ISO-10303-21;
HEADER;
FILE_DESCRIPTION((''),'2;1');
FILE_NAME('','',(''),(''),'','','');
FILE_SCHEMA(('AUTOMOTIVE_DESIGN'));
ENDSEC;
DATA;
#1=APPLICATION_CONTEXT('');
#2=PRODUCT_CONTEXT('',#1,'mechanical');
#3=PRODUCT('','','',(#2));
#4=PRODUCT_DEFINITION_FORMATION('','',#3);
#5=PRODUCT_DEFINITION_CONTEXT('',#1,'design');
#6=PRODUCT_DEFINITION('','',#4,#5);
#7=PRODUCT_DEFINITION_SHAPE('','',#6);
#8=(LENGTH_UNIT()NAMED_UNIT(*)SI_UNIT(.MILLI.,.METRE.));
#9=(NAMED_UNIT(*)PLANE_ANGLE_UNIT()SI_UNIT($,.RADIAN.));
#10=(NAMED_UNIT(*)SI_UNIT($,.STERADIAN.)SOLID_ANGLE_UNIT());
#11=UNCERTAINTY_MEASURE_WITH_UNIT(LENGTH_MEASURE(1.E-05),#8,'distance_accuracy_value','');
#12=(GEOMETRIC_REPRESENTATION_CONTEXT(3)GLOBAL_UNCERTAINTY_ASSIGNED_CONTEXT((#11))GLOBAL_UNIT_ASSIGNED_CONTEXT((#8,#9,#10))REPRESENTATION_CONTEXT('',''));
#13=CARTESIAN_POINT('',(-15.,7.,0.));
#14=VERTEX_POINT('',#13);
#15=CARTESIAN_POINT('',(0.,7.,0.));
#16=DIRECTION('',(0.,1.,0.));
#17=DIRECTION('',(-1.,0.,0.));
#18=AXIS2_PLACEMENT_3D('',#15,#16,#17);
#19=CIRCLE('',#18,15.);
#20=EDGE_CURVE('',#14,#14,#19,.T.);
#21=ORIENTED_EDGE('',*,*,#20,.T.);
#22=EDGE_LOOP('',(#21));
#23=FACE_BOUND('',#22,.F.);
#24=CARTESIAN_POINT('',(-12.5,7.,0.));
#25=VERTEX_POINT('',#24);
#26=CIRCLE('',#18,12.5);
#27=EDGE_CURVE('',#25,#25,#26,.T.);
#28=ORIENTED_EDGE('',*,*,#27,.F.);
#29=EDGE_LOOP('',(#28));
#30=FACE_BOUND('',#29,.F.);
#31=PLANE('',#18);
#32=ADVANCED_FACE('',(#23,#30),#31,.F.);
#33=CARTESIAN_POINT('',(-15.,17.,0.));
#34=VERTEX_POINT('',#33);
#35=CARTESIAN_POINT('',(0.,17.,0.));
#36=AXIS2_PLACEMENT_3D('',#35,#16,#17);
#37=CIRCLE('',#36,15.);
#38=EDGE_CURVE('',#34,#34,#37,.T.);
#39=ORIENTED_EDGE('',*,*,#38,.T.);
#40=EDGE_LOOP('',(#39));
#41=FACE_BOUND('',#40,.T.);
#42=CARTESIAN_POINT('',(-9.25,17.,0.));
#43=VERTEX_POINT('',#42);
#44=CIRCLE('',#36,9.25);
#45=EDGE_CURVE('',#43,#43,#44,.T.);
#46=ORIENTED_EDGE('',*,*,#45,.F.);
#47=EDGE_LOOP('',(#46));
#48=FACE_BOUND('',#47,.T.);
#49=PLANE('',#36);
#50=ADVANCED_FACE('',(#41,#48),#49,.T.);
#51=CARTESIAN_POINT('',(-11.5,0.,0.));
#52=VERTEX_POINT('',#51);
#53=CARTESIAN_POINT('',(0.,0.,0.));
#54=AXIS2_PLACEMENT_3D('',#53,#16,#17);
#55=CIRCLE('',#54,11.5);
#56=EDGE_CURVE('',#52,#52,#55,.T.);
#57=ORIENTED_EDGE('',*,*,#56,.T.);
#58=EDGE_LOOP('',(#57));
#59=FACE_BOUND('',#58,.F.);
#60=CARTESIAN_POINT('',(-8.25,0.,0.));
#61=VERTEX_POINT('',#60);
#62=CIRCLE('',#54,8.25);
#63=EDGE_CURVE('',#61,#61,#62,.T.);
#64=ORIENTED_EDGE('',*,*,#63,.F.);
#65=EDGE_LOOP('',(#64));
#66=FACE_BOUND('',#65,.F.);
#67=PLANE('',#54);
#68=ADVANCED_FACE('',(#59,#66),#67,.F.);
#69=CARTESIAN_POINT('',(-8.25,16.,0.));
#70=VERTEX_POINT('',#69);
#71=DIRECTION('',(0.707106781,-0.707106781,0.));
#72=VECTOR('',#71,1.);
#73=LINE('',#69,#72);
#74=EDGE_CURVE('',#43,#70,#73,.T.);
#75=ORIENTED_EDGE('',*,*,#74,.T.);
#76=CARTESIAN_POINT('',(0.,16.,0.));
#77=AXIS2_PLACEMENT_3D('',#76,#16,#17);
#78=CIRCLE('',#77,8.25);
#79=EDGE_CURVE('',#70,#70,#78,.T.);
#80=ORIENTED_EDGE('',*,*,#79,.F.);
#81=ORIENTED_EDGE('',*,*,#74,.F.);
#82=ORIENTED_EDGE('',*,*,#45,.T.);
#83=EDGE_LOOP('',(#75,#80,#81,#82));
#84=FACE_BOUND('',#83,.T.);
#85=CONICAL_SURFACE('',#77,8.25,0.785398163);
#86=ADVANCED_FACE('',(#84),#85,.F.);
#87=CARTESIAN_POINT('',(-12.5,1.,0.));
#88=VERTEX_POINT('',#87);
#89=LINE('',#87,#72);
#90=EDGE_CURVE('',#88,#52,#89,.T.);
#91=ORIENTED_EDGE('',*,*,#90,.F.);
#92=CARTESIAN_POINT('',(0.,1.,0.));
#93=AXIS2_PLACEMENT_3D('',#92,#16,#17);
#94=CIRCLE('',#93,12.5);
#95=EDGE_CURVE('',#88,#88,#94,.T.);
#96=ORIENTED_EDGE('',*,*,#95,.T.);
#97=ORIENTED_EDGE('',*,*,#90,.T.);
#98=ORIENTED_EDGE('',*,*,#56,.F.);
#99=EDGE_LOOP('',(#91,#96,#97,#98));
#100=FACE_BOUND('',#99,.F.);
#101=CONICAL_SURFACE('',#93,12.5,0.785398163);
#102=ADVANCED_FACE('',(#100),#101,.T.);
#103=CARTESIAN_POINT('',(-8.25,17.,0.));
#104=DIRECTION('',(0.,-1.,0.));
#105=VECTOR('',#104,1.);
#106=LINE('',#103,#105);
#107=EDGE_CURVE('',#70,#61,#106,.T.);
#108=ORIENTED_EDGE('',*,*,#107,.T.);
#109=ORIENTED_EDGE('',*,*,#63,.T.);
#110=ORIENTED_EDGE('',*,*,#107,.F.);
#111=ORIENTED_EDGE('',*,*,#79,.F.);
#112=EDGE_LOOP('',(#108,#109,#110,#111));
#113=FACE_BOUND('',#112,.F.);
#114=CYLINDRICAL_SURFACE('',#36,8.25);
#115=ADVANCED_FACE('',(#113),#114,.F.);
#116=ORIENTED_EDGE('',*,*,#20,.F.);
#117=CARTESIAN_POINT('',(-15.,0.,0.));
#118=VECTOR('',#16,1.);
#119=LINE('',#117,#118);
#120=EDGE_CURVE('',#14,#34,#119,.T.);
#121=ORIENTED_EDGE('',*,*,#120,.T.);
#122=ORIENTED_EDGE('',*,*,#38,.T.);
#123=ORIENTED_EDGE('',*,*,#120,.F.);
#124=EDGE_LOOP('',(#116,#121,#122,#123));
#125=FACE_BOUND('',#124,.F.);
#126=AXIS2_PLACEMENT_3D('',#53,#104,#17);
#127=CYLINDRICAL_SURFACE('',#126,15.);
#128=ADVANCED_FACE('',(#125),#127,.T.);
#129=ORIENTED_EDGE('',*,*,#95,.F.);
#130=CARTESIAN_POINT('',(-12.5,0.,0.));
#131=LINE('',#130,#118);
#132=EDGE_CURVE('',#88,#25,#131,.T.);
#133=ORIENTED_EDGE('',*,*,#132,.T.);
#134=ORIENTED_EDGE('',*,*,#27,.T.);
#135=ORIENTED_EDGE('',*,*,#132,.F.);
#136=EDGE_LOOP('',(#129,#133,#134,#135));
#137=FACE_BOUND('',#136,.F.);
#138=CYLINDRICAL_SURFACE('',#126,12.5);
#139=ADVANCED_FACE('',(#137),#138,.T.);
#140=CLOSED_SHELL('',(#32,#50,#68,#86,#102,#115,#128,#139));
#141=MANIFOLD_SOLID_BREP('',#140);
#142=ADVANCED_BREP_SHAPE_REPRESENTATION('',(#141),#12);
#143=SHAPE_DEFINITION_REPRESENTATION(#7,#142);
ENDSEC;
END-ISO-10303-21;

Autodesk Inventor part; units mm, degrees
ref_plane "YZ Plane" through (0, 0, 0) normal (1, 0, 0) x (0, 1, 0)
ref_plane "XZ Plane" through (0, 0, 0) normal (0, 1, 0) x (-1, 0, 0)
ref_plane "XY Plane" through (0, 0, 0) normal (0, 0, 1) x (1, 0, 0)
sketch "Szkic1" plane through (0, 0, 0) normal (0, 1, 0) x (-1, 0, 0)
  circle A0 centre (0, 0) radius 15
  circle A1 centre (0, 0) radius 8.25
  circle A2 centre (0, 0) radius 12.5
  dimension "d0" = 30
  dimension "d1" = 16.5
  dimension "d2" = 25
extrude "Wyciągnięcie proste1" add sketch "Szkic1" along normal blind 17 contours A0 | A1 | A2
extrude "Wyciągnięcie proste2" cut sketch "Szkic1" against normal blind 35 from surface at 17 contours A1
extrude "Wyciągnięcie proste3" cut sketch "Szkic1" along normal blind 7 contours A0
chamfer "Faza1" distance 1 angle 45 2 edges at (12.5, 0, 0) (8.25, 17, 0)
properties part number "X_end_floating_cup" material "Tworzywo sztuczne ABS"
